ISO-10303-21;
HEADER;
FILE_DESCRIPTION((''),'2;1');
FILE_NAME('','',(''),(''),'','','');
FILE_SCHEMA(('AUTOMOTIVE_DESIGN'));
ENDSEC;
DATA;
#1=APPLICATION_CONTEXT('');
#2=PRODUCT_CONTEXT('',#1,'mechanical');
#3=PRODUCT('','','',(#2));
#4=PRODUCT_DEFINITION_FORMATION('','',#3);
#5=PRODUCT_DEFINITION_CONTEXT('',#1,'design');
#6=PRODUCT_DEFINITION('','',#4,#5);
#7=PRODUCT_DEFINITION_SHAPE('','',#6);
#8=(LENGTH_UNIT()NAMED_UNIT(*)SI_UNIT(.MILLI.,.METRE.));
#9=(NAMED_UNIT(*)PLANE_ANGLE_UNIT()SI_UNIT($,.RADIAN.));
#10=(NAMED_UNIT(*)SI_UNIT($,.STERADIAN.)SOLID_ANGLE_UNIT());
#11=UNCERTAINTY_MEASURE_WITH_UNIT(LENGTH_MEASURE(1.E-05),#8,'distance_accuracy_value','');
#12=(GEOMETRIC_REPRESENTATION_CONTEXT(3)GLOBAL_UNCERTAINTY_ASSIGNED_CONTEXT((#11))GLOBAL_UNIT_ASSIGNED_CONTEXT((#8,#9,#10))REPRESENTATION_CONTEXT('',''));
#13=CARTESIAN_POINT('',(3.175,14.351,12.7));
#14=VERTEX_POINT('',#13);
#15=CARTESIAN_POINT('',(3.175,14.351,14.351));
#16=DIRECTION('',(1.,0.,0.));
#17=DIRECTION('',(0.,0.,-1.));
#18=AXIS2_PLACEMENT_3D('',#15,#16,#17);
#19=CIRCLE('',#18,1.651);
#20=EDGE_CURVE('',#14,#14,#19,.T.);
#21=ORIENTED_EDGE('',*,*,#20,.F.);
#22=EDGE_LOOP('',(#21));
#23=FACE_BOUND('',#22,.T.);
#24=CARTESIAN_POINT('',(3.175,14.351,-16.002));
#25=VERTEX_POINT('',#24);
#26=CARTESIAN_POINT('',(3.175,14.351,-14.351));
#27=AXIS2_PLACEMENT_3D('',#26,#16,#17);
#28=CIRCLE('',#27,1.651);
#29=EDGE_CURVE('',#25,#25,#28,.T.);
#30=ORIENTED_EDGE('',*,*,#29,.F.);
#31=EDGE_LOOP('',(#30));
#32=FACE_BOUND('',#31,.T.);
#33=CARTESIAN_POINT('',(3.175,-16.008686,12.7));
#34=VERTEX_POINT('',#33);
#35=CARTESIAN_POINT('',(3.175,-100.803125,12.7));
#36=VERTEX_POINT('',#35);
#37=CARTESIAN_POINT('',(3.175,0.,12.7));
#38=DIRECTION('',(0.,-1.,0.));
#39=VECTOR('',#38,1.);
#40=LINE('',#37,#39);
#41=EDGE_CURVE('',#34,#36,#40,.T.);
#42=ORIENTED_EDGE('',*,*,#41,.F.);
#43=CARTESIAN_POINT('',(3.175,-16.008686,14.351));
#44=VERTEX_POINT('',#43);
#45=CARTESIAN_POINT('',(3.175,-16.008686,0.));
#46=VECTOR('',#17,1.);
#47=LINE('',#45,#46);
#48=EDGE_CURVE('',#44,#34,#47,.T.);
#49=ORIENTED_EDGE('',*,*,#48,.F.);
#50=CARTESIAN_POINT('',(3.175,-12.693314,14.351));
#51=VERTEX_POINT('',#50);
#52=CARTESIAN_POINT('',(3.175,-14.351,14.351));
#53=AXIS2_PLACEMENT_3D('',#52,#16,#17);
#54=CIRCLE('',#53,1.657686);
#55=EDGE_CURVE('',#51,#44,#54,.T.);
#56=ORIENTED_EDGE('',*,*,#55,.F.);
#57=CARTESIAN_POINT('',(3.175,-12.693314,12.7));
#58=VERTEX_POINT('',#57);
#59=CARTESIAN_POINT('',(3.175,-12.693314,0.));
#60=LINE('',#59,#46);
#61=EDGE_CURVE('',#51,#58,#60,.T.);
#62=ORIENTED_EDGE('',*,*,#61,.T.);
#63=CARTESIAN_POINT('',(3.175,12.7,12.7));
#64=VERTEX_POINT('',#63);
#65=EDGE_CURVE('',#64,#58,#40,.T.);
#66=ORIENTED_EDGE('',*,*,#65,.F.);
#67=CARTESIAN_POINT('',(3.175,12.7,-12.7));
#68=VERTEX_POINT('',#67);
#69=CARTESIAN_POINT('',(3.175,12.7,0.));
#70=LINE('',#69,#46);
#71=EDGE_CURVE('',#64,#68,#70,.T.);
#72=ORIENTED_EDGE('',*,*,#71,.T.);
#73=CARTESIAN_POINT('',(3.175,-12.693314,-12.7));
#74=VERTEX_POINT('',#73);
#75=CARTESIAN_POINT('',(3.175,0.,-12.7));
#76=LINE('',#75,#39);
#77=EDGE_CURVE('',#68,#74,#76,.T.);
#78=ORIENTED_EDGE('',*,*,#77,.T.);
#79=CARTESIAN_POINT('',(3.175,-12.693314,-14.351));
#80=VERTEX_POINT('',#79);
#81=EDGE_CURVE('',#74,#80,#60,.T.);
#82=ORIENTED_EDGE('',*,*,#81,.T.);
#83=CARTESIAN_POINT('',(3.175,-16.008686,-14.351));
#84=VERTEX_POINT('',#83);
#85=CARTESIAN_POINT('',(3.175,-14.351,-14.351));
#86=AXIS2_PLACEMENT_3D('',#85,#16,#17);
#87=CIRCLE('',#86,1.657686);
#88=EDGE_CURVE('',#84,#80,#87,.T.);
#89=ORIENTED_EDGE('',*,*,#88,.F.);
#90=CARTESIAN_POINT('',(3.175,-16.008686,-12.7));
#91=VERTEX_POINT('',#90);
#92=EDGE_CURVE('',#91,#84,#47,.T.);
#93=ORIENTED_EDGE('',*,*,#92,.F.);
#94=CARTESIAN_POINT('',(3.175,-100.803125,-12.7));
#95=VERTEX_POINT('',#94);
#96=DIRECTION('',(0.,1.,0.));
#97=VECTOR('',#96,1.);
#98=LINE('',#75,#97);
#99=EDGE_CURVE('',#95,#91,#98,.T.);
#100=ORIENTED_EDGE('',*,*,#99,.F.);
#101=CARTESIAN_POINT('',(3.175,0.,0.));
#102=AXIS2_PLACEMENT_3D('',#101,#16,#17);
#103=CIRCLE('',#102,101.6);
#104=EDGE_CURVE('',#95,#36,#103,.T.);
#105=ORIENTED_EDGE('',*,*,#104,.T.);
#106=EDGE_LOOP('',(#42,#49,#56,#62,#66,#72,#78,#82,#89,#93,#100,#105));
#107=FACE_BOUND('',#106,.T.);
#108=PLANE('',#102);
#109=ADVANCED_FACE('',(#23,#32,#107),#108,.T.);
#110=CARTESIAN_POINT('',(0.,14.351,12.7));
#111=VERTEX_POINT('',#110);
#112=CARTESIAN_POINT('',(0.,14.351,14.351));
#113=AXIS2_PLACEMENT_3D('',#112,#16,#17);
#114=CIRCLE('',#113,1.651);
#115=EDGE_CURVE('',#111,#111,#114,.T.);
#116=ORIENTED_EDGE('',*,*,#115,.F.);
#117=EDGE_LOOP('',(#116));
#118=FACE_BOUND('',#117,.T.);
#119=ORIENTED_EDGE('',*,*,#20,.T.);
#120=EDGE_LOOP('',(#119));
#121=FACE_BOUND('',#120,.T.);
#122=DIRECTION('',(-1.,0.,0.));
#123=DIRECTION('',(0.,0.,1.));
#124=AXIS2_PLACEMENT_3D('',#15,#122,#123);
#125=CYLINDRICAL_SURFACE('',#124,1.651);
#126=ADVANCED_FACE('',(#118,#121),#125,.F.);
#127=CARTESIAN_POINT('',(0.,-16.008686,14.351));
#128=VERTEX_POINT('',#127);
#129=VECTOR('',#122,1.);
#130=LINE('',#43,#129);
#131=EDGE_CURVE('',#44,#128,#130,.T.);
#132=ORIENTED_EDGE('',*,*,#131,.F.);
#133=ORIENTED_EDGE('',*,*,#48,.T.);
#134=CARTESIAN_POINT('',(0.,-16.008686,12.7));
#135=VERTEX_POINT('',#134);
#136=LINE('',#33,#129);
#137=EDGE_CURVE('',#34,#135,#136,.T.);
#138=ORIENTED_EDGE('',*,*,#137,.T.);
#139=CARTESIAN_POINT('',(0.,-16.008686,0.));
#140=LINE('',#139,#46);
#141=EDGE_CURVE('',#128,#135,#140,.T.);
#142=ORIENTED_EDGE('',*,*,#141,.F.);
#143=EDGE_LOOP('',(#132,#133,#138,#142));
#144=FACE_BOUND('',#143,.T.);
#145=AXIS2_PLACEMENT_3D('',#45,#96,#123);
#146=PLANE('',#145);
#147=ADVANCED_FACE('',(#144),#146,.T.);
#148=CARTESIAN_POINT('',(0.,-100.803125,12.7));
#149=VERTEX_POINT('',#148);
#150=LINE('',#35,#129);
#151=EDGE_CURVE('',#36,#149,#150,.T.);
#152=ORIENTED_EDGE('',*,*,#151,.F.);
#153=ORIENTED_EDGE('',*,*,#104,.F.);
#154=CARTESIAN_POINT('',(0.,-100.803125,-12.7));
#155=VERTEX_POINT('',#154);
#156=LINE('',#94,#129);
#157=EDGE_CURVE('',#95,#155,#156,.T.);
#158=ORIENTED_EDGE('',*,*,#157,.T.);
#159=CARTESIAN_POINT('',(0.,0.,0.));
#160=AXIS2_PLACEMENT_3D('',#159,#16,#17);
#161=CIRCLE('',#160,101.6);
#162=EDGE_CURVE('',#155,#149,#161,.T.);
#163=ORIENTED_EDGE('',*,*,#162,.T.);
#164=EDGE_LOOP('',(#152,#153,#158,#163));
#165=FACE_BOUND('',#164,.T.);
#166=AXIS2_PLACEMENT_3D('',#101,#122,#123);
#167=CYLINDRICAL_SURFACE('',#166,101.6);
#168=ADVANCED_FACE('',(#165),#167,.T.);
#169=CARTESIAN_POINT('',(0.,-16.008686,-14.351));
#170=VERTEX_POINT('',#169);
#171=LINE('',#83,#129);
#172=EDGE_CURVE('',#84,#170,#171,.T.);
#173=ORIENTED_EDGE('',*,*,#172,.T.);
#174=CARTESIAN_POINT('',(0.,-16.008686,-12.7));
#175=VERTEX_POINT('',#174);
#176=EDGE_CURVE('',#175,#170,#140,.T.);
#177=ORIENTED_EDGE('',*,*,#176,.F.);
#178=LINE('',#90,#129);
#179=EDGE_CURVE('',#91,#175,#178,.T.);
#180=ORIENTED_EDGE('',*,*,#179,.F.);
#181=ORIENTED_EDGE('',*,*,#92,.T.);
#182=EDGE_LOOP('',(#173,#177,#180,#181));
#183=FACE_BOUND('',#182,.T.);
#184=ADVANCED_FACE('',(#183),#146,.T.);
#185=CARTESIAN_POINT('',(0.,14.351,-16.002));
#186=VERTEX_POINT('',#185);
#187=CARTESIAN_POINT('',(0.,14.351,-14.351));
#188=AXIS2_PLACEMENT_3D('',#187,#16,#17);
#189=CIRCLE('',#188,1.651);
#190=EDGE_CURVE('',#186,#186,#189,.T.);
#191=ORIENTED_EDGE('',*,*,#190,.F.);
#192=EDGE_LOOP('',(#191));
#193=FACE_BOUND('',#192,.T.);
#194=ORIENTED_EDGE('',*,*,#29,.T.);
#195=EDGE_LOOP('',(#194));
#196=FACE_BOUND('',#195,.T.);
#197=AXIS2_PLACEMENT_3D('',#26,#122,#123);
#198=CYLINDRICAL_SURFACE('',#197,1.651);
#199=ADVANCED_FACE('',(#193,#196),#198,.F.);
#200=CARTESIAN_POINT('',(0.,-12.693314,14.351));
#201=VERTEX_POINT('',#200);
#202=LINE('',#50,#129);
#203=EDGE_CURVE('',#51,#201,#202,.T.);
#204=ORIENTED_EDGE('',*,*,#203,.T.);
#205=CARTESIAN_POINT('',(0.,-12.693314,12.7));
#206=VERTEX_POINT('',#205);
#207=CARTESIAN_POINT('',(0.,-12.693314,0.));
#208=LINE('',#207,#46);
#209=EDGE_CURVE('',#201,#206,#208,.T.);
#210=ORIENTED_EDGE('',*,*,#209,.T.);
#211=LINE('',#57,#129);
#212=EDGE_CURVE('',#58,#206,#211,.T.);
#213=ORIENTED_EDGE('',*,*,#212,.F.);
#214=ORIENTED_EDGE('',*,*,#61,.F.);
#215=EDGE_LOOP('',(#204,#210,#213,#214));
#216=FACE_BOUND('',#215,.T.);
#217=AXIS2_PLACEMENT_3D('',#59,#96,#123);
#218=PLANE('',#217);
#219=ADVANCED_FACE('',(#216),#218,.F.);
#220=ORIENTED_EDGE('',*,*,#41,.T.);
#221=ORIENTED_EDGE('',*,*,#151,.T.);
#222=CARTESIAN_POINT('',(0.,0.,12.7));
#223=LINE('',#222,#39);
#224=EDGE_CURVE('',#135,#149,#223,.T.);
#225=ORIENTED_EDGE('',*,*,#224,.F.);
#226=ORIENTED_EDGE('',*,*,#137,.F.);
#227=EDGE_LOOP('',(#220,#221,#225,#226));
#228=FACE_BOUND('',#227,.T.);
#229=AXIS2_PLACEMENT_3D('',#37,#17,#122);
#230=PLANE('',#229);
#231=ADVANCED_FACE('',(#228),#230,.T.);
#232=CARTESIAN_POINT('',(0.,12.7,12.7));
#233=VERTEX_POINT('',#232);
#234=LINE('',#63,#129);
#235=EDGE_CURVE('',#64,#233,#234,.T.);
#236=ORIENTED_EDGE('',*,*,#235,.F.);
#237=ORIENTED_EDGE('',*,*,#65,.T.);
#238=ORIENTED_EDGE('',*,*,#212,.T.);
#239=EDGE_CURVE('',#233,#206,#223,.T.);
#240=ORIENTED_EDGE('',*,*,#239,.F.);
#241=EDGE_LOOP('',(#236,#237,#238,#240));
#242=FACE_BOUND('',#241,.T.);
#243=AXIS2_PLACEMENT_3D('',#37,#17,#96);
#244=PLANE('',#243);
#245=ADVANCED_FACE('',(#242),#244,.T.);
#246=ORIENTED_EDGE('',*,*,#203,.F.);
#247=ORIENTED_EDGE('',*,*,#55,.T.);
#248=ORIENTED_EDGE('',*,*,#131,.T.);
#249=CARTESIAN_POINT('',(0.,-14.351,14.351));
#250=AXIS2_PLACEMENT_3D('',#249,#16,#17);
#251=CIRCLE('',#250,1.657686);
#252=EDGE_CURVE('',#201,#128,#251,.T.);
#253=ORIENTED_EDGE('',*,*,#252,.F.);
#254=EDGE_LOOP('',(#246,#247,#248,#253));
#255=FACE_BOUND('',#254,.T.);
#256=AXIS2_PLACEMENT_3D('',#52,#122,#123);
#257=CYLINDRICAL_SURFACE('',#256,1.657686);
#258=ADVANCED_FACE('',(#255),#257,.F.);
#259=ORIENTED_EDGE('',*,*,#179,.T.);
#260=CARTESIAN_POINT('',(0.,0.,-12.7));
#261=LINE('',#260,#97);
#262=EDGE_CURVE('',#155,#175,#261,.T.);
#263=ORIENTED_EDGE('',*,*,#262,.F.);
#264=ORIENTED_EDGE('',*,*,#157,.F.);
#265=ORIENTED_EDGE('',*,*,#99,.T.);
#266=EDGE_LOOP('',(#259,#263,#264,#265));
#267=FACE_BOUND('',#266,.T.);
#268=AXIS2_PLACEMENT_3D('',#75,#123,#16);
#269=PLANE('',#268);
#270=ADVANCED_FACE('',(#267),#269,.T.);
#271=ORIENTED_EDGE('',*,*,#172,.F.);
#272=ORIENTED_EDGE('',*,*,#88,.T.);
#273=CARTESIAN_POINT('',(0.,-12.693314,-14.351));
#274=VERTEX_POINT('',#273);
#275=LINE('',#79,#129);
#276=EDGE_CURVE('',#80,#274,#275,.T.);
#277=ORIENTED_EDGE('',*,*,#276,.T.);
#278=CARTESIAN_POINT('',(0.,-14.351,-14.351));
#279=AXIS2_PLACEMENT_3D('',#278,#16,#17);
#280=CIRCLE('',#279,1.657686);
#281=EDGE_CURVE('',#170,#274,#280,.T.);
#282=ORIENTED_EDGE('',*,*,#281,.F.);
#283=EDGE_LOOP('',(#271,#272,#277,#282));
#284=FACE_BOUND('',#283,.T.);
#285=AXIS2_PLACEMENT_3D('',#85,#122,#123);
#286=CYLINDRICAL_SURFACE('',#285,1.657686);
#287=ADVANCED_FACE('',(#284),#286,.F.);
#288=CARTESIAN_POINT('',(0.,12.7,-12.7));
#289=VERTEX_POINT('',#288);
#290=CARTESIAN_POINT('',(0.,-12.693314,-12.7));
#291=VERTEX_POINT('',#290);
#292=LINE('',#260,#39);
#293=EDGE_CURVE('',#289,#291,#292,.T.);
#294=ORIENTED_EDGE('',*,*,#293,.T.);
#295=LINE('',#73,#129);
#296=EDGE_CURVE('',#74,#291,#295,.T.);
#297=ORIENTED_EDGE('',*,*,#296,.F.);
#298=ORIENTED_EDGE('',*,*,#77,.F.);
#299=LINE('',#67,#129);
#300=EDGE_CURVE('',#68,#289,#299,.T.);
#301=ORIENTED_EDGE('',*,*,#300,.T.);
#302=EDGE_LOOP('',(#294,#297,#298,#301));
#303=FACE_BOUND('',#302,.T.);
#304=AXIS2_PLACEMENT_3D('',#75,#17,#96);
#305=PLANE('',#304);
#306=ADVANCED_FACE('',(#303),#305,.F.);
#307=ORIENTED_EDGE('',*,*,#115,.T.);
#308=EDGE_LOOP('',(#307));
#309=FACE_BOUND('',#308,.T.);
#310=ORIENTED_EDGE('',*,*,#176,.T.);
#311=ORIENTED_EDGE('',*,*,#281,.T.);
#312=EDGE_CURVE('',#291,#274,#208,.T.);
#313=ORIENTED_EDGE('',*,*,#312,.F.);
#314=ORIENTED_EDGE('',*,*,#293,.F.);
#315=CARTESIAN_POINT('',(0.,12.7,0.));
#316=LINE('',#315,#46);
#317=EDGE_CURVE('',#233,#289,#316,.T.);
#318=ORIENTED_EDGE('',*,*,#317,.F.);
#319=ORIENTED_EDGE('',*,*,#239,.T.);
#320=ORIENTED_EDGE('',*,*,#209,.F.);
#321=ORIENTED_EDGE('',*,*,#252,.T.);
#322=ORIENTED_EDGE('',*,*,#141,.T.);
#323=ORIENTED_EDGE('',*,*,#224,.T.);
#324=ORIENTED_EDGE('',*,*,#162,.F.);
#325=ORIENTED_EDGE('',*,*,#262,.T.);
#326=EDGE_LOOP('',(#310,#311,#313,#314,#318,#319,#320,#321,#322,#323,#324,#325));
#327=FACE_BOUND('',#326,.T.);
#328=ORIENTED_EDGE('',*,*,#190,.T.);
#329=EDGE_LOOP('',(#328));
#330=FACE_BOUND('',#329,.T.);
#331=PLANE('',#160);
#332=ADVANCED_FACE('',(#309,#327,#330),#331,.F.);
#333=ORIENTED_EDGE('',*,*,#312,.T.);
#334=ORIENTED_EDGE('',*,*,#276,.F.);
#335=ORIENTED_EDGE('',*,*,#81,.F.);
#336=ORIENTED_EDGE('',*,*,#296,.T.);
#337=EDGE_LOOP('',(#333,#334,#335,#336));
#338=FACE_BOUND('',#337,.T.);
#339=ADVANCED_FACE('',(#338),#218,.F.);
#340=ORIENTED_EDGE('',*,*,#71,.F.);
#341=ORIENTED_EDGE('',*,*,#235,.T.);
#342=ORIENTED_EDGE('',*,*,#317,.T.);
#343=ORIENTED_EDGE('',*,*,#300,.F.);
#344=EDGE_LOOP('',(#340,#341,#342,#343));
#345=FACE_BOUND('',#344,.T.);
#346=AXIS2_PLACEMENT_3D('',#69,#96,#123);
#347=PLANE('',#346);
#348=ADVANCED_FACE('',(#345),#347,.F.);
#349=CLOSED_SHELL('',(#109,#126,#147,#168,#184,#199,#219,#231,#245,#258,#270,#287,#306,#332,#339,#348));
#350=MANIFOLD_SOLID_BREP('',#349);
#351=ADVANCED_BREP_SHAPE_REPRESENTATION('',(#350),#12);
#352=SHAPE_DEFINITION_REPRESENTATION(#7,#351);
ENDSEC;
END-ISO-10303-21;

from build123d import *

# Parameters (mm, degrees)
SKETCH1_R           = 1.651
BOSS_EXTRUDE1_DEPTH = 3.175


with BuildPart() as part:
    # Sketch1 → Boss-Extrude1 (new body)
    with BuildSketch(Plane(origin=(0, 0, 0), x_dir=(0, 0, -1), z_dir=(1, 0, 0))):
        with BuildLine():
            Line((-12.7, -12.693314325), (-12.7, 12.7))
            Line((-12.7, 12.7), (12.7, 12.7))
            Line((12.7, 12.7), (12.7, -12.693314325))
            Line((12.7, -12.693314325), (14.351, -12.693314325))
            ThreePointArc((14.351, -12.693314325), (16.008685675, -14.351), (14.351, -16.008685675))
            Line((14.351, -16.008685675), (12.7, -16.008685675))
            Line((12.7, -16.008685675), (12.7, -100.803124952))
            ThreePointArc((12.7, -100.803124952), (0, 101.6), (-12.7, -100.803124952))
            Line((-12.7, -100.803124952), (-12.7, -16.008685675))
            Line((-12.7, -16.008685675), (-14.351, -16.008685675))
            ThreePointArc((-14.351, -16.008685675), (-16.008685675, -14.351), (-14.351, -12.693314325))
            Line((-14.351, -12.693314325), (-12.7, -12.693314325))
        make_face()
        with Locations((-14.351, 14.351)):
            Circle(SKETCH1_R, mode=Mode.SUBTRACT)
        with Locations((14.351, 14.351)):
            Circle(SKETCH1_R, mode=Mode.SUBTRACT)
    extrude(amount=BOSS_EXTRUDE1_DEPTH)


solid = part.part
